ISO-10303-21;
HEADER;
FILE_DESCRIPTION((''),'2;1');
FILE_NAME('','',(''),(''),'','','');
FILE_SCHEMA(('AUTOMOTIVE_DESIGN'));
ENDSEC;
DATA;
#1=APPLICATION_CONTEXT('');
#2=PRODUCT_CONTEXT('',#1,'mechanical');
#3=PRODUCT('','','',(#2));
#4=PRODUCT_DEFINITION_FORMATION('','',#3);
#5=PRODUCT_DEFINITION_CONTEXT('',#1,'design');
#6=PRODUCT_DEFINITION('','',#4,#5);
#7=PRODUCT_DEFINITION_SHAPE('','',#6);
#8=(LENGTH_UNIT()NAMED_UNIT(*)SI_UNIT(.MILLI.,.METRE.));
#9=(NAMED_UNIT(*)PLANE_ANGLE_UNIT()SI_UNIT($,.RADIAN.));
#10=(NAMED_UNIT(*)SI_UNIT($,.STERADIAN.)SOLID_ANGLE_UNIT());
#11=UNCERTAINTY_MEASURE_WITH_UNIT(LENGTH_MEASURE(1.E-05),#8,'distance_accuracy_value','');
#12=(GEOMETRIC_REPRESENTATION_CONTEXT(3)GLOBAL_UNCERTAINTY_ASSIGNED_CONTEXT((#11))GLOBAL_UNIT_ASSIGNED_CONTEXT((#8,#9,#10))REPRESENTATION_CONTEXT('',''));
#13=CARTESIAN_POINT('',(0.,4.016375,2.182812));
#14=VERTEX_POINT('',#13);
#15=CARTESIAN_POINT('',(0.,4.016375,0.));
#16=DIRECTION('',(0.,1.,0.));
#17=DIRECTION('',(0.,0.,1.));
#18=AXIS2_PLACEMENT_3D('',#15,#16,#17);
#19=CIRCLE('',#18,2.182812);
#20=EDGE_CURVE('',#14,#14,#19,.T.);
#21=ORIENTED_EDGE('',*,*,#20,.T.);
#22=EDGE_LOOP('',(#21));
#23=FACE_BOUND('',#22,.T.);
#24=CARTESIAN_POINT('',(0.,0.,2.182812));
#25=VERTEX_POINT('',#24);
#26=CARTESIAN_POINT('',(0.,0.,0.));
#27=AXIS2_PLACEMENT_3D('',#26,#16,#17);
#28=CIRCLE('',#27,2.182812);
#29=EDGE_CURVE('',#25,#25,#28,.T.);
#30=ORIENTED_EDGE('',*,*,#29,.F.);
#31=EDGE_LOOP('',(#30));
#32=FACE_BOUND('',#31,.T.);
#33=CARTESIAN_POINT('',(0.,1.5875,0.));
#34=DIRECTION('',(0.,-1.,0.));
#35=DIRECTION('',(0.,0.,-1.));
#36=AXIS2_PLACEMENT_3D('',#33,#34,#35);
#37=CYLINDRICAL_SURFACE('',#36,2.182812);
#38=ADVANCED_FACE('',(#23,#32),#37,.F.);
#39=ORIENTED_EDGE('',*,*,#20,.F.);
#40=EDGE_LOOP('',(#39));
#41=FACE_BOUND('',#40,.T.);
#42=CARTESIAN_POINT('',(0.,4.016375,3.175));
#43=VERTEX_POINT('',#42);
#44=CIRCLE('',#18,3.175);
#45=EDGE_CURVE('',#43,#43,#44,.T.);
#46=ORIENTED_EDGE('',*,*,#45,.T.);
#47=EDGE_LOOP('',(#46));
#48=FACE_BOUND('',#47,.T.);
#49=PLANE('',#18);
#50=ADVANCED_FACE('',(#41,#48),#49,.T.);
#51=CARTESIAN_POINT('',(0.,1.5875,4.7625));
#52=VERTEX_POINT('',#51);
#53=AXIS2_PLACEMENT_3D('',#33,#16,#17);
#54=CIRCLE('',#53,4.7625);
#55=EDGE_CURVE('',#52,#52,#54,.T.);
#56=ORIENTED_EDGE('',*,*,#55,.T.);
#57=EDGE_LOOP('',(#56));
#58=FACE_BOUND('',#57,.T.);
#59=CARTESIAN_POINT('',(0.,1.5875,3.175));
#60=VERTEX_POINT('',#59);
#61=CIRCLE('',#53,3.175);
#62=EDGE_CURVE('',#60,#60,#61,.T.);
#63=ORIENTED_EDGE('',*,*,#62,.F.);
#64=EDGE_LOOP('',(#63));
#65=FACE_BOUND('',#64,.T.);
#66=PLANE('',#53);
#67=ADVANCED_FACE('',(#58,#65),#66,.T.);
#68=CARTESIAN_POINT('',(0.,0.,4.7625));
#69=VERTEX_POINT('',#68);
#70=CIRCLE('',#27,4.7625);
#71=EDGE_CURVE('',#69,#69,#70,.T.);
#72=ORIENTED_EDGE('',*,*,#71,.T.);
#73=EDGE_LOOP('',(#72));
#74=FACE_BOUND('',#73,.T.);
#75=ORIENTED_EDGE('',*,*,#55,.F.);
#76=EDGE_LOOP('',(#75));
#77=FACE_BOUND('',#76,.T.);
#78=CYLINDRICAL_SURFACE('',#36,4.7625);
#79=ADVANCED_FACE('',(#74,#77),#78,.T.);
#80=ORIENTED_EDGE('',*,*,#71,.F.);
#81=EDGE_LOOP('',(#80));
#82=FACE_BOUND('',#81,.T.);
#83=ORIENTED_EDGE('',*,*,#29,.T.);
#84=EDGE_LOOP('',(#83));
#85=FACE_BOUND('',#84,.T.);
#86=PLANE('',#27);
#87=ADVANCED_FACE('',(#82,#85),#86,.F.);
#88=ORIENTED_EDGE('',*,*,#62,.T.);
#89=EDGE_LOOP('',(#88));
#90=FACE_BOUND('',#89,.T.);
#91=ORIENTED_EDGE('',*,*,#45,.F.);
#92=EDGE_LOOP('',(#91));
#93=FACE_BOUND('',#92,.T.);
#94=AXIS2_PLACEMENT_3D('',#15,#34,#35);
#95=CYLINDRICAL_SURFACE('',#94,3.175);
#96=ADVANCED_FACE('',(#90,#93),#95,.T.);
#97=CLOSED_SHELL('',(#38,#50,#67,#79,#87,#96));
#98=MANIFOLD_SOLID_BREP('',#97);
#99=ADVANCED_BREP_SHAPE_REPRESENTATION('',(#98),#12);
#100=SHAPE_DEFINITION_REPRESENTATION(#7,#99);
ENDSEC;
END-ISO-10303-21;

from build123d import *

# Parameters (mm, degrees)
SKETCH1_R           = 4.7625
SKETCH1_R_2         = 2.1828125
BOSS_EXTRUDE1_DEPTH = 1.5875
SKETCH2_R           = 3.175
SKETCH2_R_2         = 2.1828125
BOSS_EXTRUDE2_DEPTH = 2.428875


with BuildPart() as part:
    # Sketch1 → Boss-Extrude1 (new body)
    with BuildSketch(Plane(origin=(0, 0, 0), x_dir=(1, 0, 0), z_dir=(0, 1, 0))):
        Circle(SKETCH1_R)
        Circle(SKETCH1_R_2, mode=Mode.SUBTRACT)
    extrude(amount=BOSS_EXTRUDE1_DEPTH)

    # Sketch2 → Boss-Extrude2 (add)
    with BuildSketch(Plane(origin=(0, 1.5875, 0), x_dir=(1, 0, 0), z_dir=(0, 1, 0))):
        Circle(SKETCH2_R)
        Circle(SKETCH2_R_2, mode=Mode.SUBTRACT)
    extrude(amount=BOSS_EXTRUDE2_DEPTH)


solid = part.part
